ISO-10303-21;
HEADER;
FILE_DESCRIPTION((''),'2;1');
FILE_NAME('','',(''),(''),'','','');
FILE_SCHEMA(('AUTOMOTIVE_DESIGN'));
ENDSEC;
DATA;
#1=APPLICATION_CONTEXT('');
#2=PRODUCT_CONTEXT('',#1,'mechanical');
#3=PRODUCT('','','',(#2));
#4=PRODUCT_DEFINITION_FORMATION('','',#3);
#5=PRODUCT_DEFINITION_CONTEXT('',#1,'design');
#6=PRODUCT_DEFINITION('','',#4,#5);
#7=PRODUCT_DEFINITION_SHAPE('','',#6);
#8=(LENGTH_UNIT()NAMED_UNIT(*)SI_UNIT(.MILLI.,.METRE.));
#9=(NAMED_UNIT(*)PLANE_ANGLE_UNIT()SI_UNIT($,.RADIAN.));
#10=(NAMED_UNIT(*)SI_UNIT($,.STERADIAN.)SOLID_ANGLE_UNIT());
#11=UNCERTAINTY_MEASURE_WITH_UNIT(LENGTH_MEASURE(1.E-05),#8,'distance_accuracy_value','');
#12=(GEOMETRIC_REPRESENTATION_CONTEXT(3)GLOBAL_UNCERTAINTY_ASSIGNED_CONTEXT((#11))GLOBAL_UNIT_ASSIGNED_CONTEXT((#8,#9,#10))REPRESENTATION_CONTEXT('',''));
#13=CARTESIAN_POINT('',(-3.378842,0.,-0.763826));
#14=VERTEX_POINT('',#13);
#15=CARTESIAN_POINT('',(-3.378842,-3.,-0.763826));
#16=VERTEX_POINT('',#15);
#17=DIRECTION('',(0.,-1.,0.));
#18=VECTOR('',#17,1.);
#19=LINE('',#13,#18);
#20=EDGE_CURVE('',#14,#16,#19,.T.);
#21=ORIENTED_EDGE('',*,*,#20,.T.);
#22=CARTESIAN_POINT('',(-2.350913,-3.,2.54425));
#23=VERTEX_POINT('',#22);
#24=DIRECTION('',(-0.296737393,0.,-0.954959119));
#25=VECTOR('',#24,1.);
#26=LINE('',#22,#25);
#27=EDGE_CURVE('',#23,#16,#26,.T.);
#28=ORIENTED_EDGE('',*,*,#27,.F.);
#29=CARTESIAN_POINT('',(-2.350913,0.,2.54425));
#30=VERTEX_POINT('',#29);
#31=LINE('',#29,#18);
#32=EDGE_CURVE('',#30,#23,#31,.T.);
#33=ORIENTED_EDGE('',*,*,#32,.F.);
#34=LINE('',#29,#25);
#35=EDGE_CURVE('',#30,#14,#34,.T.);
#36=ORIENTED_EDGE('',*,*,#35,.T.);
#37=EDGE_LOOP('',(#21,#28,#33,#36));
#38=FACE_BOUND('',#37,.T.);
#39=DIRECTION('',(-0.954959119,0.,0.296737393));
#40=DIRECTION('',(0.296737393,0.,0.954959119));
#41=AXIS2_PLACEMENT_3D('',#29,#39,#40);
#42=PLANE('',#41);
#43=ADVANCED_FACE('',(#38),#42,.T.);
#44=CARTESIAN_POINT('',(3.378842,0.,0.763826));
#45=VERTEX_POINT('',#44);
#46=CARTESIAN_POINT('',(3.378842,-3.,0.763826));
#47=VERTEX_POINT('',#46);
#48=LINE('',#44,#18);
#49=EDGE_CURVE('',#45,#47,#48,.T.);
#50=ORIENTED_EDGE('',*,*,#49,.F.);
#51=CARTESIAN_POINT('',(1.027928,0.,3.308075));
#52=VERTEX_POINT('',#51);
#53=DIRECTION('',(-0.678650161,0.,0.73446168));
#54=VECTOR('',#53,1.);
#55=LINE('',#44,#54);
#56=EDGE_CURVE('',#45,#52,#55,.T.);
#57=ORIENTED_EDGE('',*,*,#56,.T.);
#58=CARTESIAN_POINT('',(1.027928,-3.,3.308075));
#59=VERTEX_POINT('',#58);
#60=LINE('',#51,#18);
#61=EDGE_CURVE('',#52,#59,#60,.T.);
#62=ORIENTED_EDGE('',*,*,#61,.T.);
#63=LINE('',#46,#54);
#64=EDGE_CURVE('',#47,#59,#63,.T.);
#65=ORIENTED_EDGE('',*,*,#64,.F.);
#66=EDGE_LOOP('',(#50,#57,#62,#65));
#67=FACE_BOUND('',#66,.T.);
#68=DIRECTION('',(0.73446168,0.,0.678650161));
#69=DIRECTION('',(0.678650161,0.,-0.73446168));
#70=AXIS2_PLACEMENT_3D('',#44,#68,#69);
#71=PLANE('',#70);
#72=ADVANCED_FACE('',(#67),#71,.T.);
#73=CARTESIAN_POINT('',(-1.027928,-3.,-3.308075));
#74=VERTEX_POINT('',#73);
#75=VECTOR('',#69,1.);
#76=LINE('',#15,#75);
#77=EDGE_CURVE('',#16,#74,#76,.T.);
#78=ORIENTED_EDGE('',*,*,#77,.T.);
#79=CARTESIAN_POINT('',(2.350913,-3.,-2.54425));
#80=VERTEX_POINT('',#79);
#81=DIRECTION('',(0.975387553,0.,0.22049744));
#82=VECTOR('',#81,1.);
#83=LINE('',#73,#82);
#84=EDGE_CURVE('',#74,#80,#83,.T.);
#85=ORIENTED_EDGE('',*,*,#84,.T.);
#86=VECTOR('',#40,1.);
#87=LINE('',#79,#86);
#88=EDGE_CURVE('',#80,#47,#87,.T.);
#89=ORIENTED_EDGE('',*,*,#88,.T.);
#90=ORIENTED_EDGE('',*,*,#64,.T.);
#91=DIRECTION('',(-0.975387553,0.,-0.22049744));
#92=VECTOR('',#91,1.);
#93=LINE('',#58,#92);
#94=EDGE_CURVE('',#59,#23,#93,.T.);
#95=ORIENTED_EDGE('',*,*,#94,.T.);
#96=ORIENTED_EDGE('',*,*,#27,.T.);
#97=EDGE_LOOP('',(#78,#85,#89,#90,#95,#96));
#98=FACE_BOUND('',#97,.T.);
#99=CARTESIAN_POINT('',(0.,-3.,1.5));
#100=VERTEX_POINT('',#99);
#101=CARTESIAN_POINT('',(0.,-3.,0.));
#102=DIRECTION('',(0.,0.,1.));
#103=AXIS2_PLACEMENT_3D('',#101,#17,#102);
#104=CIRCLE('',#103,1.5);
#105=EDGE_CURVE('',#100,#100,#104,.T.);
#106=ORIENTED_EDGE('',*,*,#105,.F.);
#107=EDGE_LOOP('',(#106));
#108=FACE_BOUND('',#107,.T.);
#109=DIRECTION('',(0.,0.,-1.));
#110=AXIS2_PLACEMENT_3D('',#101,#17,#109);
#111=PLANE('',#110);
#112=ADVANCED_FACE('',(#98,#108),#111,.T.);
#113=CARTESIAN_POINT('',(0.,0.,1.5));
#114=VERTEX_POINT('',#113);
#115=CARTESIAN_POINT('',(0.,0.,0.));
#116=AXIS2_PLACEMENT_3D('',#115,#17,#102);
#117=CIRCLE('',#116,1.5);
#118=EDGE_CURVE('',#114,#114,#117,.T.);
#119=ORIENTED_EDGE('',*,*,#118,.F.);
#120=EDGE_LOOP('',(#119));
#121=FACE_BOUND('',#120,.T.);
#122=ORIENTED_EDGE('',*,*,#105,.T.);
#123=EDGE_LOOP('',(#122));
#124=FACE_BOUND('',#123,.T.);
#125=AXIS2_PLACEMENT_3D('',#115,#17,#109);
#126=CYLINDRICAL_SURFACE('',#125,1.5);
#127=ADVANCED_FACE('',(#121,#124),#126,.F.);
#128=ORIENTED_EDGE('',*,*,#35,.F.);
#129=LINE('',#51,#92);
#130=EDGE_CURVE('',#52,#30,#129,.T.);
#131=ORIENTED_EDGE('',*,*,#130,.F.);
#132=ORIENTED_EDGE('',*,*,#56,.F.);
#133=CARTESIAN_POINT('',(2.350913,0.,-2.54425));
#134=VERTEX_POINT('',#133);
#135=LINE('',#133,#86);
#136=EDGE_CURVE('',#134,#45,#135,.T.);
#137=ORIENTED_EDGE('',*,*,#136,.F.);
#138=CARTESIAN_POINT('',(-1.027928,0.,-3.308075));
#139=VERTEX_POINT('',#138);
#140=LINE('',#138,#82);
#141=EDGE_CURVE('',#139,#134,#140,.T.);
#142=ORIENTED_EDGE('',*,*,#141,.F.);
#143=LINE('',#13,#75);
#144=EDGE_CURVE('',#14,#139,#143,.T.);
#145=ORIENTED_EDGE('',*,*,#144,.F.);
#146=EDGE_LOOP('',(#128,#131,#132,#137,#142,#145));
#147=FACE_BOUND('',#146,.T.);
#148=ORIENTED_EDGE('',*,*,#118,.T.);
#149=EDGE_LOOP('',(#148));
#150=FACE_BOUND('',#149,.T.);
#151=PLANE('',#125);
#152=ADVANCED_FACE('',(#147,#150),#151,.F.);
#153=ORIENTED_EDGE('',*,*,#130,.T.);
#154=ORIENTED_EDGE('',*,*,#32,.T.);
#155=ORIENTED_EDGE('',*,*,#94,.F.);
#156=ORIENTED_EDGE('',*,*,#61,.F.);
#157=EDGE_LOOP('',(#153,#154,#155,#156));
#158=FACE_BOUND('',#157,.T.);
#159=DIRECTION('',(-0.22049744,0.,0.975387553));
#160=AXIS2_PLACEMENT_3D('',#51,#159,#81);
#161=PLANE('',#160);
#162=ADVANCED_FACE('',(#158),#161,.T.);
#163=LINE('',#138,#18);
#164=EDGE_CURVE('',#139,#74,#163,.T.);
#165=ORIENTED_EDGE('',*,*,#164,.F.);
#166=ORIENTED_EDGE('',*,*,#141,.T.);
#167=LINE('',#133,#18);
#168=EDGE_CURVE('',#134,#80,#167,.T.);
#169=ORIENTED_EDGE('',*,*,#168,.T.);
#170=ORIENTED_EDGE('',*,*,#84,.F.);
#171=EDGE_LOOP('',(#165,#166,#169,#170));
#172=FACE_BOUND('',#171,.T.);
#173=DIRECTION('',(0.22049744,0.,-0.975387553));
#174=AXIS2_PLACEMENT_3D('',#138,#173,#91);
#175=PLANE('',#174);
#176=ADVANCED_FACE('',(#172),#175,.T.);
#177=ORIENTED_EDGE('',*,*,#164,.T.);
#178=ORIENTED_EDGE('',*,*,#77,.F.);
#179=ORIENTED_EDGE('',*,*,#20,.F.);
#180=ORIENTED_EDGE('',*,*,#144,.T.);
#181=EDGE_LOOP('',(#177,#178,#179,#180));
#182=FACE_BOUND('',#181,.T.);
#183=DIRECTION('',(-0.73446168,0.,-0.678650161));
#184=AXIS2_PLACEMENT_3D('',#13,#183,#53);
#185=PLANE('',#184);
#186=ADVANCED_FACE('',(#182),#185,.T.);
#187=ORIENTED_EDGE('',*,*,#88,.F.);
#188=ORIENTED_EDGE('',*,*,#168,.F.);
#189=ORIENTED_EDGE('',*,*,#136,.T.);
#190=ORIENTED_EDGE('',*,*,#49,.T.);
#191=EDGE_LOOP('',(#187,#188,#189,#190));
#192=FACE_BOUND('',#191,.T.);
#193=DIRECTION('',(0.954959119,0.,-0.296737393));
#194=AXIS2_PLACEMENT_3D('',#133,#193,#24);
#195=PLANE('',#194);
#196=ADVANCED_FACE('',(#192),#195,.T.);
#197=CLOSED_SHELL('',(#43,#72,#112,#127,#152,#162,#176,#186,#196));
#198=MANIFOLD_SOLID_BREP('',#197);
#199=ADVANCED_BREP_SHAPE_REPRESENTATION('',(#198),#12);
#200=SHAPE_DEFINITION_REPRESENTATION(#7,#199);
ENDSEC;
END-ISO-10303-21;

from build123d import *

# Parameters (mm, degrees)
ESQUISSE1_R        = 1.5
BOSS_EXTRU_1_DEPTH = 3


with BuildPart() as part:
    # Esquisse1 → Boss.-Extru.1 (new body)
    with BuildSketch(Plane.XZ.offset(3)):
        Polygon((2.350913118, -2.544249892), (3.378841599, 0.763825536), (1.027928481, 3.308075428), (-2.350913118, 2.544249892), (-3.378841599, -0.763825536), (-1.027928481, -3.308075428), align=None)
        with Locations(Location((0, 0, 0), (0, 0, 90))):
            Circle(ESQUISSE1_R, mode=Mode.SUBTRACT)
    extrude(amount=-BOSS_EXTRU_1_DEPTH)


solid = part.part
